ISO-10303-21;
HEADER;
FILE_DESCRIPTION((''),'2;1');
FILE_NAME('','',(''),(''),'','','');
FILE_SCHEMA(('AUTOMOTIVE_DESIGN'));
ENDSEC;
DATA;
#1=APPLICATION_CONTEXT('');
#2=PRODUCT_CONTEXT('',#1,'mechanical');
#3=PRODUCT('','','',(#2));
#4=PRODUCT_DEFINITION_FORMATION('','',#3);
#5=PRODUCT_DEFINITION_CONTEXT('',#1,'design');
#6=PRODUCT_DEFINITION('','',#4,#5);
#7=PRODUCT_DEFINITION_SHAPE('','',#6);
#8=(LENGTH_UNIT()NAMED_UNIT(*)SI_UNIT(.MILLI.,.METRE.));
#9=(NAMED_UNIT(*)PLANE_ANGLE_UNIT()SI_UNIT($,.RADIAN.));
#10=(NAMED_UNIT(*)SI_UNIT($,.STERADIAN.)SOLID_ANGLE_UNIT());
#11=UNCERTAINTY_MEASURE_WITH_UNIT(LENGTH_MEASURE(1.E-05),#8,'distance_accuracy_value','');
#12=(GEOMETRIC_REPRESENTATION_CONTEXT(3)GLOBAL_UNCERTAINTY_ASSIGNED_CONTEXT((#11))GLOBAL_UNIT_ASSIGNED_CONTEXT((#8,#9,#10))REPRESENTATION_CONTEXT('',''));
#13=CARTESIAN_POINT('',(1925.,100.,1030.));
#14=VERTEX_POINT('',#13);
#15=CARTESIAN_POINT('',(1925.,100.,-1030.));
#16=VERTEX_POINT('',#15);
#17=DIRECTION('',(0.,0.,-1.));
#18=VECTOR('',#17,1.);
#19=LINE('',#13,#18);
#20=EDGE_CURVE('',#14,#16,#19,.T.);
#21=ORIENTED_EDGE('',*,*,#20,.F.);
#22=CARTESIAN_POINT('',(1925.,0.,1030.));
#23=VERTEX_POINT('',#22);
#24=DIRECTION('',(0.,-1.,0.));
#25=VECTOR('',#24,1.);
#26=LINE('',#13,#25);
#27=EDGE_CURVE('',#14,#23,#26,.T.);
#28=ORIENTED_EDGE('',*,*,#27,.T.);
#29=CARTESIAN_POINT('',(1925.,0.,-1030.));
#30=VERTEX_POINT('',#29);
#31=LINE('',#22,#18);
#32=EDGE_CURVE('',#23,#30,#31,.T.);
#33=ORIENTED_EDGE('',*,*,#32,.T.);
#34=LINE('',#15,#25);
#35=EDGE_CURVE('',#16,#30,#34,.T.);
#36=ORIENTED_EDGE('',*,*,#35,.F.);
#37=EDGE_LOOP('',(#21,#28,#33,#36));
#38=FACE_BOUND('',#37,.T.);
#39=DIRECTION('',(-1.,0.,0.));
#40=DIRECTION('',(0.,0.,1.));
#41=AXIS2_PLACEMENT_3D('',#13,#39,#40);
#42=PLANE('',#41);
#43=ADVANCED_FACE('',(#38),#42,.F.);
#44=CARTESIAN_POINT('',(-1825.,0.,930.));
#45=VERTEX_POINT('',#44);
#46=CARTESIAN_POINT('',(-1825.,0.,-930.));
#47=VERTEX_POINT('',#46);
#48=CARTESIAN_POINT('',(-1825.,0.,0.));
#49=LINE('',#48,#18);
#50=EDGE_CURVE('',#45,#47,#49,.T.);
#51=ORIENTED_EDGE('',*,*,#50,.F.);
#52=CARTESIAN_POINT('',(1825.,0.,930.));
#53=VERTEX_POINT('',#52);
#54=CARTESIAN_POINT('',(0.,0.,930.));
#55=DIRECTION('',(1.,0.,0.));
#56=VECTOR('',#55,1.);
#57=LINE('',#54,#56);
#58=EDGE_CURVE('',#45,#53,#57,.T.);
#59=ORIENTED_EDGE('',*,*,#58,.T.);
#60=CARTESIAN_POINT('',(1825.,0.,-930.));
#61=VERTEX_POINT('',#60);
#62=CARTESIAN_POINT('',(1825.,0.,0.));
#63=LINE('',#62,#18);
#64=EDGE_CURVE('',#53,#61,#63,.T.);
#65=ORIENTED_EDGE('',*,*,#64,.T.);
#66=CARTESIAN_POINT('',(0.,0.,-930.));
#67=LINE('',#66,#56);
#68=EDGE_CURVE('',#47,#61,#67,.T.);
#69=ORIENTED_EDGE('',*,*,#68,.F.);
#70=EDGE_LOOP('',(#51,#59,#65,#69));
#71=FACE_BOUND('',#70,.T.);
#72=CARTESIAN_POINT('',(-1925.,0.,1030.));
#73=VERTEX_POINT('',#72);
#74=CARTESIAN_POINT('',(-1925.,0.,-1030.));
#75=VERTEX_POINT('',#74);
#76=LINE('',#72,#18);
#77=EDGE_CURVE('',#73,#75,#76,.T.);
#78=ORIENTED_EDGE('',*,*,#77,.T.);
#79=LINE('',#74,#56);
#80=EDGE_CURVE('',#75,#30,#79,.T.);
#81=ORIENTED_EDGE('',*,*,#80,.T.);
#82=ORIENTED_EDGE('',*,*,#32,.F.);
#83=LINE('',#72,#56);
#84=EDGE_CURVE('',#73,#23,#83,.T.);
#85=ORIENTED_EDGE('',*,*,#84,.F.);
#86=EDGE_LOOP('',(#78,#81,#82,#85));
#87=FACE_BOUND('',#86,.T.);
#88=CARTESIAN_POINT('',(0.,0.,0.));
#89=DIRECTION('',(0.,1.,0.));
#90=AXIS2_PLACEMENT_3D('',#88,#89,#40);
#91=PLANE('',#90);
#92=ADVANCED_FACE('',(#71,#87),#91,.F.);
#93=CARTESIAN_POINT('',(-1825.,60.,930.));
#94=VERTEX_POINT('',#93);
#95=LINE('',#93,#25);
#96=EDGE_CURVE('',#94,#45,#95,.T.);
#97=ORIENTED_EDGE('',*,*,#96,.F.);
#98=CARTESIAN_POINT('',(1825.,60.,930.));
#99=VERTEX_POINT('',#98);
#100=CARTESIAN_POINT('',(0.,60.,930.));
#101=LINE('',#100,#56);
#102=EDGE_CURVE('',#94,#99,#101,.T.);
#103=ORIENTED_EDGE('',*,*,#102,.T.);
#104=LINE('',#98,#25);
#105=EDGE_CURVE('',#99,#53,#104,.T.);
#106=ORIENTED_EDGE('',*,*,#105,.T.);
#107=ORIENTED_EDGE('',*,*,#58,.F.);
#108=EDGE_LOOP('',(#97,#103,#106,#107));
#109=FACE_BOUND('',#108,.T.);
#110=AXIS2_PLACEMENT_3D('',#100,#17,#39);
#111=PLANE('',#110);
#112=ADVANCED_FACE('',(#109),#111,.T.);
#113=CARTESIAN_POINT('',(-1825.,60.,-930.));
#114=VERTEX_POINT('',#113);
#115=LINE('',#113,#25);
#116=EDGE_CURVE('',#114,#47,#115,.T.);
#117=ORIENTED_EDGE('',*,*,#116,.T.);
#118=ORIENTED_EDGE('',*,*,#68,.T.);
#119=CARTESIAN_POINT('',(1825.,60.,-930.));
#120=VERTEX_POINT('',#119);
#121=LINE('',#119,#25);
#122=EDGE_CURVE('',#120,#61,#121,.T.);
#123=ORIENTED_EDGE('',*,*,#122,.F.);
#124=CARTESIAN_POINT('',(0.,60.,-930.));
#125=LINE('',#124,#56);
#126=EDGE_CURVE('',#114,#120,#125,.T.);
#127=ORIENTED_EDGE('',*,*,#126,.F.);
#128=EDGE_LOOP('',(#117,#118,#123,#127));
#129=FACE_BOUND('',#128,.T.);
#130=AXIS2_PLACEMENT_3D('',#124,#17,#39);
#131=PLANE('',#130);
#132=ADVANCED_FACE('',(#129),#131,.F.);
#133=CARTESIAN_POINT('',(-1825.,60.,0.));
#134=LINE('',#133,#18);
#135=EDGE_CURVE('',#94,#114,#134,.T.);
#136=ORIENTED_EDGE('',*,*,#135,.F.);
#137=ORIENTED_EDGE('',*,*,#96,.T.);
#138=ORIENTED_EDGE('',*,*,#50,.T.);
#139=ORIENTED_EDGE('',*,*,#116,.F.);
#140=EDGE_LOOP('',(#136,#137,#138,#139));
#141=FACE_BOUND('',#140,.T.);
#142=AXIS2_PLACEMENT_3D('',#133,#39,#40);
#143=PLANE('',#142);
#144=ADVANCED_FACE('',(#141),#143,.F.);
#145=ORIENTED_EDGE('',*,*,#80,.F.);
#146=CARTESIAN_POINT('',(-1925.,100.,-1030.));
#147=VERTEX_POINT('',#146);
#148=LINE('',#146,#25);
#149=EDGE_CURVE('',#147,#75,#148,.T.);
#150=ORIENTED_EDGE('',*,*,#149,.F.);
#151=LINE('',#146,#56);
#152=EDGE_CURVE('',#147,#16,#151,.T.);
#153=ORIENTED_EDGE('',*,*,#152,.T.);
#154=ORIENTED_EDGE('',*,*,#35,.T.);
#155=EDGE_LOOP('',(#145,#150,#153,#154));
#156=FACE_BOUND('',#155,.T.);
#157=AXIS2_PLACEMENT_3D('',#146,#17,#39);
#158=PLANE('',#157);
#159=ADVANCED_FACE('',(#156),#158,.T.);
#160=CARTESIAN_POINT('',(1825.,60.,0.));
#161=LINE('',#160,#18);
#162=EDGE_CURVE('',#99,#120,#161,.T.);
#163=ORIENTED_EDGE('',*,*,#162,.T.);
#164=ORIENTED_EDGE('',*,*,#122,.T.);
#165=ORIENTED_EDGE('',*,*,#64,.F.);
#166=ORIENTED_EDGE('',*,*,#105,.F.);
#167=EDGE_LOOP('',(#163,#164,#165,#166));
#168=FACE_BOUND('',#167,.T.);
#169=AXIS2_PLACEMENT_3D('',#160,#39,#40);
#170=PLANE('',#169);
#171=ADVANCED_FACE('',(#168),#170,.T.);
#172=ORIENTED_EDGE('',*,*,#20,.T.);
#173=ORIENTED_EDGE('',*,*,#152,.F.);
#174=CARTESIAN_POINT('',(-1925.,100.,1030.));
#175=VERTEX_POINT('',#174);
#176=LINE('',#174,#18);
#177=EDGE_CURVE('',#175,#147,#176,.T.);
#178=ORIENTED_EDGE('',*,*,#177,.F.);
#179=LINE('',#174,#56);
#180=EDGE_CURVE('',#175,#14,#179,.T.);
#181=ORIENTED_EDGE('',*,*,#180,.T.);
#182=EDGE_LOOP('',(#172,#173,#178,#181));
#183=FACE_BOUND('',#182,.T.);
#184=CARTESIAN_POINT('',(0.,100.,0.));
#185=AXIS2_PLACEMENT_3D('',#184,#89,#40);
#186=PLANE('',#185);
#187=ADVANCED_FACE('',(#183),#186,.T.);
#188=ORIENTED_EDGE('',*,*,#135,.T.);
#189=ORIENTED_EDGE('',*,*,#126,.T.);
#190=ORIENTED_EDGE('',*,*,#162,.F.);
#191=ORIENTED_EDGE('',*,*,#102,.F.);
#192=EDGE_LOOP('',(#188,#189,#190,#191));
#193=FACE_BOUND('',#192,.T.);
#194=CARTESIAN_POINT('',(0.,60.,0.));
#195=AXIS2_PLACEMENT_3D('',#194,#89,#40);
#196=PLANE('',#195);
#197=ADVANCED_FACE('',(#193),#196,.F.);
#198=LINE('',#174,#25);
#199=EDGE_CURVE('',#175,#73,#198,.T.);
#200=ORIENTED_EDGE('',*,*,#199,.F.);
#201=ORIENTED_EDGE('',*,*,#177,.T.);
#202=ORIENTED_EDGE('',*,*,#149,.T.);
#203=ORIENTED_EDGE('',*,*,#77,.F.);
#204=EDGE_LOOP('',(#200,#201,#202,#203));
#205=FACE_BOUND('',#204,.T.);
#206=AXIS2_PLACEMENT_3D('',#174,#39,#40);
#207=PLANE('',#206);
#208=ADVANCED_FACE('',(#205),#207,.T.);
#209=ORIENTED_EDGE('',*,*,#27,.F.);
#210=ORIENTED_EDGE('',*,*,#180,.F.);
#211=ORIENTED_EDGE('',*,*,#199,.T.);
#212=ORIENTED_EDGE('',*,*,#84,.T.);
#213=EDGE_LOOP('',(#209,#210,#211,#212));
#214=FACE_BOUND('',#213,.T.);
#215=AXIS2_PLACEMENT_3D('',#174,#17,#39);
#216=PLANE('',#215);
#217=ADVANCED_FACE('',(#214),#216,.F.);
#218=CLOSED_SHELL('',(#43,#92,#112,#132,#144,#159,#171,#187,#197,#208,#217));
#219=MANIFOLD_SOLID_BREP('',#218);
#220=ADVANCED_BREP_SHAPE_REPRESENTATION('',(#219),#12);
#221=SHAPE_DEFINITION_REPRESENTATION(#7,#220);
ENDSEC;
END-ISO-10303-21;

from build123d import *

# Parameters (mm, degrees)
SKETCH1_W           = 3850
SKETCH1_H           = 2060
BOSS_EXTRUDE1_DEPTH = 100
SKETCH1_5_W         = 3650
SKETCH1_5_H         = 1860
CUT_EXTRUDE4_DEPTH  = 60


with BuildPart() as part:
    # Sketch1 → Boss-Extrude1 (new body)
    with BuildSketch(Plane(origin=(0, 0, 0), x_dir=(1, 0, 0), z_dir=(0, 1, 0))):
        Rectangle(SKETCH1_W, SKETCH1_H)
    extrude(amount=BOSS_EXTRUDE1_DEPTH)

    # Sketch1<5> → Cut-Extrude4 (cut)
    with BuildSketch(Plane(origin=(0, 0, 0), x_dir=(1, 0, 0), z_dir=(0, 1, 0))):
        Rectangle(SKETCH1_5_W, SKETCH1_5_H)
    extrude(amount=CUT_EXTRUDE4_DEPTH, mode=Mode.SUBTRACT)


solid = part.part
